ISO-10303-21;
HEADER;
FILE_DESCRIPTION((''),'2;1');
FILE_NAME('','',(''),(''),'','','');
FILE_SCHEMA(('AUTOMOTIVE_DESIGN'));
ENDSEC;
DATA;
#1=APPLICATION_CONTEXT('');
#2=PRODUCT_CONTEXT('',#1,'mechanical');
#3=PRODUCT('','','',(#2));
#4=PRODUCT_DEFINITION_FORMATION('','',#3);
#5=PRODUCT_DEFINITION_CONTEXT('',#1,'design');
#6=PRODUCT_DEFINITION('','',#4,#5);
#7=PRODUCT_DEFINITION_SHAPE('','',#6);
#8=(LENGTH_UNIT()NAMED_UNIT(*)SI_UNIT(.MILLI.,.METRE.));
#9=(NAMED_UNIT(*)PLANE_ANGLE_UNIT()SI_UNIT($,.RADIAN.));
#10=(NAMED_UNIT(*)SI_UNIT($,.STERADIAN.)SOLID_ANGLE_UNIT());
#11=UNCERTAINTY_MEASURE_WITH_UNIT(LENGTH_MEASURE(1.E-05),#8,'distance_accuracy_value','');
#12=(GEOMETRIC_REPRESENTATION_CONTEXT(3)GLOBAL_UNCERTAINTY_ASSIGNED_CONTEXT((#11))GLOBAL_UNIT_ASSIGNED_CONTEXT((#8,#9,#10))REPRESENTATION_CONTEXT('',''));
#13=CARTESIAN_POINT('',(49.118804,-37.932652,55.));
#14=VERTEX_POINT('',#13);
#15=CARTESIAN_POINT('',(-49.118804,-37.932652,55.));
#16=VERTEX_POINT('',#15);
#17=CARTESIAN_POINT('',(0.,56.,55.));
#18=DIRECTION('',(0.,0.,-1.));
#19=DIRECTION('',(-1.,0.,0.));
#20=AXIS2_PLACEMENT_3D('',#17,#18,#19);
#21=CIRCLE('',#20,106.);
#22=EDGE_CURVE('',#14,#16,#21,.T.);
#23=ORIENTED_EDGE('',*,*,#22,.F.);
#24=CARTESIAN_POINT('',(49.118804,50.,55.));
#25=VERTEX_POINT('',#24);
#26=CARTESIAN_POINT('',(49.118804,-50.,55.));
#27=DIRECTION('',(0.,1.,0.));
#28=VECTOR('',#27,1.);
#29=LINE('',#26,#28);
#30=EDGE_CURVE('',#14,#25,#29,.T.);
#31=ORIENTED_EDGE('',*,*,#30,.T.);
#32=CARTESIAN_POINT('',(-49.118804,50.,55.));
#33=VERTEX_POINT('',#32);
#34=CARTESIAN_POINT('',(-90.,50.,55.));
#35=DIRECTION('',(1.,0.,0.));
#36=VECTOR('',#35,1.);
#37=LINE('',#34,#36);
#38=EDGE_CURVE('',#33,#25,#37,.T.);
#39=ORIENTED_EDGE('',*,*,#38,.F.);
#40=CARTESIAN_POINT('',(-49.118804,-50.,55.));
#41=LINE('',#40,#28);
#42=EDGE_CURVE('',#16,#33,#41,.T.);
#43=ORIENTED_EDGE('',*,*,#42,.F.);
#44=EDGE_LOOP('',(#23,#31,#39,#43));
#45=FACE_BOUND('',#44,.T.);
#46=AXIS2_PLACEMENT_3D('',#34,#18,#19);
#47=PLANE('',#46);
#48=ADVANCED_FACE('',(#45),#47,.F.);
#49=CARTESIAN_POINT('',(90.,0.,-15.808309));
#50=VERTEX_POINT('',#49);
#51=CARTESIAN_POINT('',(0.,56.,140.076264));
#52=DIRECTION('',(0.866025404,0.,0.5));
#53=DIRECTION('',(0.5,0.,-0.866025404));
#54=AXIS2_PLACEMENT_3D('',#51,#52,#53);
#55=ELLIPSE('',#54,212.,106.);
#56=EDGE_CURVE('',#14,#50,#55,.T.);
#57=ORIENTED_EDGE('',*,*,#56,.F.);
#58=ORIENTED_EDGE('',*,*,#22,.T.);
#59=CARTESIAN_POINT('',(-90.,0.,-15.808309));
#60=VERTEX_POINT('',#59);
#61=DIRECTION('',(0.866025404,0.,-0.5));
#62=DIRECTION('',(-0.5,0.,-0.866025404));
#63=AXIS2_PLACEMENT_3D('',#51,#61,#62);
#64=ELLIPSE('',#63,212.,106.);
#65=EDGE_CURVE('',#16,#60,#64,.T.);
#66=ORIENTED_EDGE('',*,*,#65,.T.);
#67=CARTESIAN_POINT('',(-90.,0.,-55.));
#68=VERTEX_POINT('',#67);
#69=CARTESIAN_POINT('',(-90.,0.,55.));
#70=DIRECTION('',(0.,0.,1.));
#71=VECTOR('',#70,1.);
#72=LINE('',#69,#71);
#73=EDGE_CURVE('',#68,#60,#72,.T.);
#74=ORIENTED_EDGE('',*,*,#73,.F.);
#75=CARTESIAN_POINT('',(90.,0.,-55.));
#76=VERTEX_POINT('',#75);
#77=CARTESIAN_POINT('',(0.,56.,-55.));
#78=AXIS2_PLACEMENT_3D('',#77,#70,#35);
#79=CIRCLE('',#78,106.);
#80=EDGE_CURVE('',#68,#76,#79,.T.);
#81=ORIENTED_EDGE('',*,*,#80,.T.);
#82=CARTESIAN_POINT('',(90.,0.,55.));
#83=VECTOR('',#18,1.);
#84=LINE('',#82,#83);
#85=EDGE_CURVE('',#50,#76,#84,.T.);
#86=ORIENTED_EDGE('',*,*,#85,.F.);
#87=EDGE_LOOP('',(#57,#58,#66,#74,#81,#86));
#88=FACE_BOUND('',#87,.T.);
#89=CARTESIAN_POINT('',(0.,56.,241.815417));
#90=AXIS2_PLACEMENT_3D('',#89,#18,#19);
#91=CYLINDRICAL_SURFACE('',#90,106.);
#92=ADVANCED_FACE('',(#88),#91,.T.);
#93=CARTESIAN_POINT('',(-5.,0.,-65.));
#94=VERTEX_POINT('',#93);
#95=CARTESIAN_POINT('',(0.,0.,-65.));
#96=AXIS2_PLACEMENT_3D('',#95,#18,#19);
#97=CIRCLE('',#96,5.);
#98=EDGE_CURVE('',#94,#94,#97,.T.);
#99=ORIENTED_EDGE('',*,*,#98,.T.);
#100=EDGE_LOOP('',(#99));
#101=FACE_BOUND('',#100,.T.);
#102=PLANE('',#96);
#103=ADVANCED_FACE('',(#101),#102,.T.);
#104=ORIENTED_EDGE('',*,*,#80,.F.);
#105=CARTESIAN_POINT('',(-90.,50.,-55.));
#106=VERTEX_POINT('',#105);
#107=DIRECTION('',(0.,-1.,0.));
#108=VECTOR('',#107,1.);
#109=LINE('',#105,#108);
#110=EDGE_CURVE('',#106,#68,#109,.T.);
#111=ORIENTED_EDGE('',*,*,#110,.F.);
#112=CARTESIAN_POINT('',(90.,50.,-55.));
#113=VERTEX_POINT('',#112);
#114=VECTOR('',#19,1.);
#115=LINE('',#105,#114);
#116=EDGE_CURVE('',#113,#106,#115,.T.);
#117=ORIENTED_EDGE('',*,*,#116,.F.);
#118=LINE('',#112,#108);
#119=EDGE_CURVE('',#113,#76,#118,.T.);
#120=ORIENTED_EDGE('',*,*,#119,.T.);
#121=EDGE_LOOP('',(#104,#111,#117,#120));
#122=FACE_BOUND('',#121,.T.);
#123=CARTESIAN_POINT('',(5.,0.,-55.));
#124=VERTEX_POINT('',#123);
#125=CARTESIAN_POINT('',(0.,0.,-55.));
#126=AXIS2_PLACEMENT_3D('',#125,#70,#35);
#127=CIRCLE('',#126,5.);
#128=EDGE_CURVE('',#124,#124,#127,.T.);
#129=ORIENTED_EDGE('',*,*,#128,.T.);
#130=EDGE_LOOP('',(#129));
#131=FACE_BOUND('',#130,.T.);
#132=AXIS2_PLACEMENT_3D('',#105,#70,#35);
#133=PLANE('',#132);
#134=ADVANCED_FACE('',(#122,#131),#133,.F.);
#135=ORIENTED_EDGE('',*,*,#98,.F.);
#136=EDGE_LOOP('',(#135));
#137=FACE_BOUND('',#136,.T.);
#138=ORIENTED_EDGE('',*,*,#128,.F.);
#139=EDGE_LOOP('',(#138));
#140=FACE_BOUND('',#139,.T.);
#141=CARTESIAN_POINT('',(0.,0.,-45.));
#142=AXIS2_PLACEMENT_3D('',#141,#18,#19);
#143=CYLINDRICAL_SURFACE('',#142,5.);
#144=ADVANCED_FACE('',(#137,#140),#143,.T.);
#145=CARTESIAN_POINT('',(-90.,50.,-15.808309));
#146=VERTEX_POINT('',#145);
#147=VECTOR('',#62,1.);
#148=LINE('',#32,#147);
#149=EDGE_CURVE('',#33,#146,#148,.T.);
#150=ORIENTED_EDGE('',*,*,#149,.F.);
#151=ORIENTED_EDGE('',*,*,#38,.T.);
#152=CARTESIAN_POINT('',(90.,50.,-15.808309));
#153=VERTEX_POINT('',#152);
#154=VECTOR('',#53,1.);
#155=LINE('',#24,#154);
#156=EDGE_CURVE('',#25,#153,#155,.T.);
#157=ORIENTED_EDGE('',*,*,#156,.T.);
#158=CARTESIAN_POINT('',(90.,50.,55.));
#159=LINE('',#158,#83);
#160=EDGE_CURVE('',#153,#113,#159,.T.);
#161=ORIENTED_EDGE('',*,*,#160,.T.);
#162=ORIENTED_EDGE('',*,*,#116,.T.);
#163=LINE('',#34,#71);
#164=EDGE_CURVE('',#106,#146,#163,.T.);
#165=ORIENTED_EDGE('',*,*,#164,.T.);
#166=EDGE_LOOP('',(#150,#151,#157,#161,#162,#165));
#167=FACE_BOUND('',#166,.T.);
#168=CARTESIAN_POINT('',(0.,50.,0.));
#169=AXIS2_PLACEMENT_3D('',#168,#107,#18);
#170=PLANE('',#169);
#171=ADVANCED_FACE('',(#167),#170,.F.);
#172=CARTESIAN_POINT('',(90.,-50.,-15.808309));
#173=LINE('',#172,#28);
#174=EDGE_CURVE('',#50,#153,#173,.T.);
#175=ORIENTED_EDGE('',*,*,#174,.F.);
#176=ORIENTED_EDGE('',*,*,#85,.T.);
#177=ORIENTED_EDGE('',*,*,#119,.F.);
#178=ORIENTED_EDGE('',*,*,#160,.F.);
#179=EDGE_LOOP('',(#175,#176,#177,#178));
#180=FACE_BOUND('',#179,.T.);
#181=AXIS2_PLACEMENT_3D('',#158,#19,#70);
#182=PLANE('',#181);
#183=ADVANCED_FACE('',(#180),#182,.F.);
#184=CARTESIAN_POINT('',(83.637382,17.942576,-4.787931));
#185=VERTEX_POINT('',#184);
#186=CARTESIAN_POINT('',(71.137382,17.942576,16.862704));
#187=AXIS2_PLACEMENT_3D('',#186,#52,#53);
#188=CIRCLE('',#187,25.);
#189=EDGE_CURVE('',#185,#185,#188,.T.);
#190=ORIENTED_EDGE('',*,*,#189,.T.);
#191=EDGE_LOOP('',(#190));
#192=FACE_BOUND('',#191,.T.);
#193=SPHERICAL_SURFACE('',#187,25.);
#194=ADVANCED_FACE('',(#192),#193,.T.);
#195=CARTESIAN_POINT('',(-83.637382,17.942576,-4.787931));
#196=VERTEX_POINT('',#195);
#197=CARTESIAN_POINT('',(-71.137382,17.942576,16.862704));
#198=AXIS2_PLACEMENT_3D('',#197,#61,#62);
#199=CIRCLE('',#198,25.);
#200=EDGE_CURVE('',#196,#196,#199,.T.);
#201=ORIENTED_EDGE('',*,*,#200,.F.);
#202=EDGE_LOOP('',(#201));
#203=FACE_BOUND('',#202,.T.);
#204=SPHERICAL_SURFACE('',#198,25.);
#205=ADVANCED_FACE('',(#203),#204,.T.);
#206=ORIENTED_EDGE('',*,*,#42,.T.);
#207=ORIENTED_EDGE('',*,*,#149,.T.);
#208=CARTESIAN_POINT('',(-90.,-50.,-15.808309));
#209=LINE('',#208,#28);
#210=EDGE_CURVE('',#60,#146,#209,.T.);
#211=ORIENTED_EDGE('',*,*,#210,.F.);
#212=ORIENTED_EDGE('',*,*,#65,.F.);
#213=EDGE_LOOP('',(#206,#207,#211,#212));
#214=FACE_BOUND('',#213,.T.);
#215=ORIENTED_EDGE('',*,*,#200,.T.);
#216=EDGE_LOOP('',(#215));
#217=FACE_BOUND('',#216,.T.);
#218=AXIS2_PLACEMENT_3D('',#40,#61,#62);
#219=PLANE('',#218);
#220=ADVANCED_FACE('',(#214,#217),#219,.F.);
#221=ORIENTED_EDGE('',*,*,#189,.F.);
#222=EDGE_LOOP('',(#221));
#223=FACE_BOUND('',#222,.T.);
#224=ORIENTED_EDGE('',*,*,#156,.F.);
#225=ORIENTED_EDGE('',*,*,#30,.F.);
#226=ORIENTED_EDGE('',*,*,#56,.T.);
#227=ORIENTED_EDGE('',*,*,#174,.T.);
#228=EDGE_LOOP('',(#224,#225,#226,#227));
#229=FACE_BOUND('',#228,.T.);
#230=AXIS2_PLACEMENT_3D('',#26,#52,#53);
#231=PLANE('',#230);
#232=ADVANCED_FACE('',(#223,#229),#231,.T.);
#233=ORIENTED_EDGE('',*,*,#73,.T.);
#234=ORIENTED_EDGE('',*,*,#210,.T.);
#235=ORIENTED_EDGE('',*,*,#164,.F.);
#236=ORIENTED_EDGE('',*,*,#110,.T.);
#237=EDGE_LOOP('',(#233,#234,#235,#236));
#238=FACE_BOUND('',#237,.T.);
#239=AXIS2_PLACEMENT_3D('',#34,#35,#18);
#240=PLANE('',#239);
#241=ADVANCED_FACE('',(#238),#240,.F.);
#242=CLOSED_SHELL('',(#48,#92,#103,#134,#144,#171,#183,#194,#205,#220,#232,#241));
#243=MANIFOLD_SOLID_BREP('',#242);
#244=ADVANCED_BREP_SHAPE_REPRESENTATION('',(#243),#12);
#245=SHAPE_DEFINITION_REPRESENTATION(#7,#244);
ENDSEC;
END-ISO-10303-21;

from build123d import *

# Parameters (mm, degrees)
SKETCH1_W                = 180
SKETCH1_H                = 110
BOSS_EXTRUDE1_DEPTH      = 50
BOSS_EXTRUDE2_DEPTH      = 110
CUT_EXTRUDE1_DEPTH       = 146.344418537
BOSS_EXTRUDE5_DEPTH      = 10
BOSS_EXTRUDE5_DEPTH_BACK = 10
SKETCH5_R                = 5


with BuildPart() as part:
    # Sketch1 → Boss-Extrude1 (new body)
    with BuildSketch(Plane(origin=(0, 0, 0), x_dir=(1, 0, 0), z_dir=(0, 1, 0))):
        Rectangle(SKETCH1_W, SKETCH1_H)
    extrude(amount=BOSS_EXTRUDE1_DEPTH)

    # Sketch2 → Boss-Extrude2 (add)
    with BuildSketch(Plane(origin=(-35, 0, -55), x_dir=(1, 0, 0), z_dir=(0, 0, 1))):
        with BuildLine():
            Line((-55, 0), (125, 0))
            ThreePointArc((125, 0), (35, -50), (-55, 0))
        make_face()
    extrude(amount=BOSS_EXTRUDE2_DEPTH)

    # Sketch3 → Cut-Extrude1 (cut, through all)
    with BuildSketch(Plane(origin=(0, 50, 0), x_dir=(1, 0, 0), z_dir=(0, 1, 0))):
        Polygon((-49.118803686, -55), (-90, 15.808309091), (-90, -55), align=None)
    cut_extrude1 = extrude(amount=-CUT_EXTRUDE1_DEPTH, mode=Mode.SUBTRACT)

    # Mirror1: Cut-Extrude1 across plane
    add(cut_extrude1.mirror(Plane(origin=(0, 0, 0), x_dir=(0, 0, 1), z_dir=(1, 0, 0))), mode=Mode.SUBTRACT)

    # Sketch5 → Boss-Extrude5 (add, two sides: drawn at the far end of the back side and taken through both)
    with BuildSketch(Plane(origin=(0, 0, -55), x_dir=(-1, 0, 0), z_dir=(0, 0, -1)).offset(-BOSS_EXTRUDE5_DEPTH_BACK)):
        Circle(SKETCH5_R)
    extrude(amount=BOSS_EXTRUDE5_DEPTH + BOSS_EXTRUDE5_DEPTH_BACK)

    # Sketch4 → Revolve1 (revolve)
    with BuildSketch(Plane(origin=(-60.654801368, 0, 35.019065898), x_dir=(0.49999999999999495, 0, 0.8660254037844417), z_dir=(-0.8660254037844417, 0, 0.49999999999999495))):
        with BuildLine():
            ThreePointArc((-20.965161058, 42.942576489), (4.034838942, 17.942576489), (-20.965161058, -7.057423511))
            Line((-20.965161058, -7.057423511), (-20.965161058, 42.942576489))
        make_face()
    revolve1 = revolve(axis=Axis((-71.137381897, 42.942576489, 16.862703827), (0, -1, 0)))

    # Mirror2: Revolve1 across plane
    add(revolve1.mirror(Plane(origin=(0, 0, 0), x_dir=(0, 0, 1), z_dir=(1, 0, 0))))


solid = part.part
